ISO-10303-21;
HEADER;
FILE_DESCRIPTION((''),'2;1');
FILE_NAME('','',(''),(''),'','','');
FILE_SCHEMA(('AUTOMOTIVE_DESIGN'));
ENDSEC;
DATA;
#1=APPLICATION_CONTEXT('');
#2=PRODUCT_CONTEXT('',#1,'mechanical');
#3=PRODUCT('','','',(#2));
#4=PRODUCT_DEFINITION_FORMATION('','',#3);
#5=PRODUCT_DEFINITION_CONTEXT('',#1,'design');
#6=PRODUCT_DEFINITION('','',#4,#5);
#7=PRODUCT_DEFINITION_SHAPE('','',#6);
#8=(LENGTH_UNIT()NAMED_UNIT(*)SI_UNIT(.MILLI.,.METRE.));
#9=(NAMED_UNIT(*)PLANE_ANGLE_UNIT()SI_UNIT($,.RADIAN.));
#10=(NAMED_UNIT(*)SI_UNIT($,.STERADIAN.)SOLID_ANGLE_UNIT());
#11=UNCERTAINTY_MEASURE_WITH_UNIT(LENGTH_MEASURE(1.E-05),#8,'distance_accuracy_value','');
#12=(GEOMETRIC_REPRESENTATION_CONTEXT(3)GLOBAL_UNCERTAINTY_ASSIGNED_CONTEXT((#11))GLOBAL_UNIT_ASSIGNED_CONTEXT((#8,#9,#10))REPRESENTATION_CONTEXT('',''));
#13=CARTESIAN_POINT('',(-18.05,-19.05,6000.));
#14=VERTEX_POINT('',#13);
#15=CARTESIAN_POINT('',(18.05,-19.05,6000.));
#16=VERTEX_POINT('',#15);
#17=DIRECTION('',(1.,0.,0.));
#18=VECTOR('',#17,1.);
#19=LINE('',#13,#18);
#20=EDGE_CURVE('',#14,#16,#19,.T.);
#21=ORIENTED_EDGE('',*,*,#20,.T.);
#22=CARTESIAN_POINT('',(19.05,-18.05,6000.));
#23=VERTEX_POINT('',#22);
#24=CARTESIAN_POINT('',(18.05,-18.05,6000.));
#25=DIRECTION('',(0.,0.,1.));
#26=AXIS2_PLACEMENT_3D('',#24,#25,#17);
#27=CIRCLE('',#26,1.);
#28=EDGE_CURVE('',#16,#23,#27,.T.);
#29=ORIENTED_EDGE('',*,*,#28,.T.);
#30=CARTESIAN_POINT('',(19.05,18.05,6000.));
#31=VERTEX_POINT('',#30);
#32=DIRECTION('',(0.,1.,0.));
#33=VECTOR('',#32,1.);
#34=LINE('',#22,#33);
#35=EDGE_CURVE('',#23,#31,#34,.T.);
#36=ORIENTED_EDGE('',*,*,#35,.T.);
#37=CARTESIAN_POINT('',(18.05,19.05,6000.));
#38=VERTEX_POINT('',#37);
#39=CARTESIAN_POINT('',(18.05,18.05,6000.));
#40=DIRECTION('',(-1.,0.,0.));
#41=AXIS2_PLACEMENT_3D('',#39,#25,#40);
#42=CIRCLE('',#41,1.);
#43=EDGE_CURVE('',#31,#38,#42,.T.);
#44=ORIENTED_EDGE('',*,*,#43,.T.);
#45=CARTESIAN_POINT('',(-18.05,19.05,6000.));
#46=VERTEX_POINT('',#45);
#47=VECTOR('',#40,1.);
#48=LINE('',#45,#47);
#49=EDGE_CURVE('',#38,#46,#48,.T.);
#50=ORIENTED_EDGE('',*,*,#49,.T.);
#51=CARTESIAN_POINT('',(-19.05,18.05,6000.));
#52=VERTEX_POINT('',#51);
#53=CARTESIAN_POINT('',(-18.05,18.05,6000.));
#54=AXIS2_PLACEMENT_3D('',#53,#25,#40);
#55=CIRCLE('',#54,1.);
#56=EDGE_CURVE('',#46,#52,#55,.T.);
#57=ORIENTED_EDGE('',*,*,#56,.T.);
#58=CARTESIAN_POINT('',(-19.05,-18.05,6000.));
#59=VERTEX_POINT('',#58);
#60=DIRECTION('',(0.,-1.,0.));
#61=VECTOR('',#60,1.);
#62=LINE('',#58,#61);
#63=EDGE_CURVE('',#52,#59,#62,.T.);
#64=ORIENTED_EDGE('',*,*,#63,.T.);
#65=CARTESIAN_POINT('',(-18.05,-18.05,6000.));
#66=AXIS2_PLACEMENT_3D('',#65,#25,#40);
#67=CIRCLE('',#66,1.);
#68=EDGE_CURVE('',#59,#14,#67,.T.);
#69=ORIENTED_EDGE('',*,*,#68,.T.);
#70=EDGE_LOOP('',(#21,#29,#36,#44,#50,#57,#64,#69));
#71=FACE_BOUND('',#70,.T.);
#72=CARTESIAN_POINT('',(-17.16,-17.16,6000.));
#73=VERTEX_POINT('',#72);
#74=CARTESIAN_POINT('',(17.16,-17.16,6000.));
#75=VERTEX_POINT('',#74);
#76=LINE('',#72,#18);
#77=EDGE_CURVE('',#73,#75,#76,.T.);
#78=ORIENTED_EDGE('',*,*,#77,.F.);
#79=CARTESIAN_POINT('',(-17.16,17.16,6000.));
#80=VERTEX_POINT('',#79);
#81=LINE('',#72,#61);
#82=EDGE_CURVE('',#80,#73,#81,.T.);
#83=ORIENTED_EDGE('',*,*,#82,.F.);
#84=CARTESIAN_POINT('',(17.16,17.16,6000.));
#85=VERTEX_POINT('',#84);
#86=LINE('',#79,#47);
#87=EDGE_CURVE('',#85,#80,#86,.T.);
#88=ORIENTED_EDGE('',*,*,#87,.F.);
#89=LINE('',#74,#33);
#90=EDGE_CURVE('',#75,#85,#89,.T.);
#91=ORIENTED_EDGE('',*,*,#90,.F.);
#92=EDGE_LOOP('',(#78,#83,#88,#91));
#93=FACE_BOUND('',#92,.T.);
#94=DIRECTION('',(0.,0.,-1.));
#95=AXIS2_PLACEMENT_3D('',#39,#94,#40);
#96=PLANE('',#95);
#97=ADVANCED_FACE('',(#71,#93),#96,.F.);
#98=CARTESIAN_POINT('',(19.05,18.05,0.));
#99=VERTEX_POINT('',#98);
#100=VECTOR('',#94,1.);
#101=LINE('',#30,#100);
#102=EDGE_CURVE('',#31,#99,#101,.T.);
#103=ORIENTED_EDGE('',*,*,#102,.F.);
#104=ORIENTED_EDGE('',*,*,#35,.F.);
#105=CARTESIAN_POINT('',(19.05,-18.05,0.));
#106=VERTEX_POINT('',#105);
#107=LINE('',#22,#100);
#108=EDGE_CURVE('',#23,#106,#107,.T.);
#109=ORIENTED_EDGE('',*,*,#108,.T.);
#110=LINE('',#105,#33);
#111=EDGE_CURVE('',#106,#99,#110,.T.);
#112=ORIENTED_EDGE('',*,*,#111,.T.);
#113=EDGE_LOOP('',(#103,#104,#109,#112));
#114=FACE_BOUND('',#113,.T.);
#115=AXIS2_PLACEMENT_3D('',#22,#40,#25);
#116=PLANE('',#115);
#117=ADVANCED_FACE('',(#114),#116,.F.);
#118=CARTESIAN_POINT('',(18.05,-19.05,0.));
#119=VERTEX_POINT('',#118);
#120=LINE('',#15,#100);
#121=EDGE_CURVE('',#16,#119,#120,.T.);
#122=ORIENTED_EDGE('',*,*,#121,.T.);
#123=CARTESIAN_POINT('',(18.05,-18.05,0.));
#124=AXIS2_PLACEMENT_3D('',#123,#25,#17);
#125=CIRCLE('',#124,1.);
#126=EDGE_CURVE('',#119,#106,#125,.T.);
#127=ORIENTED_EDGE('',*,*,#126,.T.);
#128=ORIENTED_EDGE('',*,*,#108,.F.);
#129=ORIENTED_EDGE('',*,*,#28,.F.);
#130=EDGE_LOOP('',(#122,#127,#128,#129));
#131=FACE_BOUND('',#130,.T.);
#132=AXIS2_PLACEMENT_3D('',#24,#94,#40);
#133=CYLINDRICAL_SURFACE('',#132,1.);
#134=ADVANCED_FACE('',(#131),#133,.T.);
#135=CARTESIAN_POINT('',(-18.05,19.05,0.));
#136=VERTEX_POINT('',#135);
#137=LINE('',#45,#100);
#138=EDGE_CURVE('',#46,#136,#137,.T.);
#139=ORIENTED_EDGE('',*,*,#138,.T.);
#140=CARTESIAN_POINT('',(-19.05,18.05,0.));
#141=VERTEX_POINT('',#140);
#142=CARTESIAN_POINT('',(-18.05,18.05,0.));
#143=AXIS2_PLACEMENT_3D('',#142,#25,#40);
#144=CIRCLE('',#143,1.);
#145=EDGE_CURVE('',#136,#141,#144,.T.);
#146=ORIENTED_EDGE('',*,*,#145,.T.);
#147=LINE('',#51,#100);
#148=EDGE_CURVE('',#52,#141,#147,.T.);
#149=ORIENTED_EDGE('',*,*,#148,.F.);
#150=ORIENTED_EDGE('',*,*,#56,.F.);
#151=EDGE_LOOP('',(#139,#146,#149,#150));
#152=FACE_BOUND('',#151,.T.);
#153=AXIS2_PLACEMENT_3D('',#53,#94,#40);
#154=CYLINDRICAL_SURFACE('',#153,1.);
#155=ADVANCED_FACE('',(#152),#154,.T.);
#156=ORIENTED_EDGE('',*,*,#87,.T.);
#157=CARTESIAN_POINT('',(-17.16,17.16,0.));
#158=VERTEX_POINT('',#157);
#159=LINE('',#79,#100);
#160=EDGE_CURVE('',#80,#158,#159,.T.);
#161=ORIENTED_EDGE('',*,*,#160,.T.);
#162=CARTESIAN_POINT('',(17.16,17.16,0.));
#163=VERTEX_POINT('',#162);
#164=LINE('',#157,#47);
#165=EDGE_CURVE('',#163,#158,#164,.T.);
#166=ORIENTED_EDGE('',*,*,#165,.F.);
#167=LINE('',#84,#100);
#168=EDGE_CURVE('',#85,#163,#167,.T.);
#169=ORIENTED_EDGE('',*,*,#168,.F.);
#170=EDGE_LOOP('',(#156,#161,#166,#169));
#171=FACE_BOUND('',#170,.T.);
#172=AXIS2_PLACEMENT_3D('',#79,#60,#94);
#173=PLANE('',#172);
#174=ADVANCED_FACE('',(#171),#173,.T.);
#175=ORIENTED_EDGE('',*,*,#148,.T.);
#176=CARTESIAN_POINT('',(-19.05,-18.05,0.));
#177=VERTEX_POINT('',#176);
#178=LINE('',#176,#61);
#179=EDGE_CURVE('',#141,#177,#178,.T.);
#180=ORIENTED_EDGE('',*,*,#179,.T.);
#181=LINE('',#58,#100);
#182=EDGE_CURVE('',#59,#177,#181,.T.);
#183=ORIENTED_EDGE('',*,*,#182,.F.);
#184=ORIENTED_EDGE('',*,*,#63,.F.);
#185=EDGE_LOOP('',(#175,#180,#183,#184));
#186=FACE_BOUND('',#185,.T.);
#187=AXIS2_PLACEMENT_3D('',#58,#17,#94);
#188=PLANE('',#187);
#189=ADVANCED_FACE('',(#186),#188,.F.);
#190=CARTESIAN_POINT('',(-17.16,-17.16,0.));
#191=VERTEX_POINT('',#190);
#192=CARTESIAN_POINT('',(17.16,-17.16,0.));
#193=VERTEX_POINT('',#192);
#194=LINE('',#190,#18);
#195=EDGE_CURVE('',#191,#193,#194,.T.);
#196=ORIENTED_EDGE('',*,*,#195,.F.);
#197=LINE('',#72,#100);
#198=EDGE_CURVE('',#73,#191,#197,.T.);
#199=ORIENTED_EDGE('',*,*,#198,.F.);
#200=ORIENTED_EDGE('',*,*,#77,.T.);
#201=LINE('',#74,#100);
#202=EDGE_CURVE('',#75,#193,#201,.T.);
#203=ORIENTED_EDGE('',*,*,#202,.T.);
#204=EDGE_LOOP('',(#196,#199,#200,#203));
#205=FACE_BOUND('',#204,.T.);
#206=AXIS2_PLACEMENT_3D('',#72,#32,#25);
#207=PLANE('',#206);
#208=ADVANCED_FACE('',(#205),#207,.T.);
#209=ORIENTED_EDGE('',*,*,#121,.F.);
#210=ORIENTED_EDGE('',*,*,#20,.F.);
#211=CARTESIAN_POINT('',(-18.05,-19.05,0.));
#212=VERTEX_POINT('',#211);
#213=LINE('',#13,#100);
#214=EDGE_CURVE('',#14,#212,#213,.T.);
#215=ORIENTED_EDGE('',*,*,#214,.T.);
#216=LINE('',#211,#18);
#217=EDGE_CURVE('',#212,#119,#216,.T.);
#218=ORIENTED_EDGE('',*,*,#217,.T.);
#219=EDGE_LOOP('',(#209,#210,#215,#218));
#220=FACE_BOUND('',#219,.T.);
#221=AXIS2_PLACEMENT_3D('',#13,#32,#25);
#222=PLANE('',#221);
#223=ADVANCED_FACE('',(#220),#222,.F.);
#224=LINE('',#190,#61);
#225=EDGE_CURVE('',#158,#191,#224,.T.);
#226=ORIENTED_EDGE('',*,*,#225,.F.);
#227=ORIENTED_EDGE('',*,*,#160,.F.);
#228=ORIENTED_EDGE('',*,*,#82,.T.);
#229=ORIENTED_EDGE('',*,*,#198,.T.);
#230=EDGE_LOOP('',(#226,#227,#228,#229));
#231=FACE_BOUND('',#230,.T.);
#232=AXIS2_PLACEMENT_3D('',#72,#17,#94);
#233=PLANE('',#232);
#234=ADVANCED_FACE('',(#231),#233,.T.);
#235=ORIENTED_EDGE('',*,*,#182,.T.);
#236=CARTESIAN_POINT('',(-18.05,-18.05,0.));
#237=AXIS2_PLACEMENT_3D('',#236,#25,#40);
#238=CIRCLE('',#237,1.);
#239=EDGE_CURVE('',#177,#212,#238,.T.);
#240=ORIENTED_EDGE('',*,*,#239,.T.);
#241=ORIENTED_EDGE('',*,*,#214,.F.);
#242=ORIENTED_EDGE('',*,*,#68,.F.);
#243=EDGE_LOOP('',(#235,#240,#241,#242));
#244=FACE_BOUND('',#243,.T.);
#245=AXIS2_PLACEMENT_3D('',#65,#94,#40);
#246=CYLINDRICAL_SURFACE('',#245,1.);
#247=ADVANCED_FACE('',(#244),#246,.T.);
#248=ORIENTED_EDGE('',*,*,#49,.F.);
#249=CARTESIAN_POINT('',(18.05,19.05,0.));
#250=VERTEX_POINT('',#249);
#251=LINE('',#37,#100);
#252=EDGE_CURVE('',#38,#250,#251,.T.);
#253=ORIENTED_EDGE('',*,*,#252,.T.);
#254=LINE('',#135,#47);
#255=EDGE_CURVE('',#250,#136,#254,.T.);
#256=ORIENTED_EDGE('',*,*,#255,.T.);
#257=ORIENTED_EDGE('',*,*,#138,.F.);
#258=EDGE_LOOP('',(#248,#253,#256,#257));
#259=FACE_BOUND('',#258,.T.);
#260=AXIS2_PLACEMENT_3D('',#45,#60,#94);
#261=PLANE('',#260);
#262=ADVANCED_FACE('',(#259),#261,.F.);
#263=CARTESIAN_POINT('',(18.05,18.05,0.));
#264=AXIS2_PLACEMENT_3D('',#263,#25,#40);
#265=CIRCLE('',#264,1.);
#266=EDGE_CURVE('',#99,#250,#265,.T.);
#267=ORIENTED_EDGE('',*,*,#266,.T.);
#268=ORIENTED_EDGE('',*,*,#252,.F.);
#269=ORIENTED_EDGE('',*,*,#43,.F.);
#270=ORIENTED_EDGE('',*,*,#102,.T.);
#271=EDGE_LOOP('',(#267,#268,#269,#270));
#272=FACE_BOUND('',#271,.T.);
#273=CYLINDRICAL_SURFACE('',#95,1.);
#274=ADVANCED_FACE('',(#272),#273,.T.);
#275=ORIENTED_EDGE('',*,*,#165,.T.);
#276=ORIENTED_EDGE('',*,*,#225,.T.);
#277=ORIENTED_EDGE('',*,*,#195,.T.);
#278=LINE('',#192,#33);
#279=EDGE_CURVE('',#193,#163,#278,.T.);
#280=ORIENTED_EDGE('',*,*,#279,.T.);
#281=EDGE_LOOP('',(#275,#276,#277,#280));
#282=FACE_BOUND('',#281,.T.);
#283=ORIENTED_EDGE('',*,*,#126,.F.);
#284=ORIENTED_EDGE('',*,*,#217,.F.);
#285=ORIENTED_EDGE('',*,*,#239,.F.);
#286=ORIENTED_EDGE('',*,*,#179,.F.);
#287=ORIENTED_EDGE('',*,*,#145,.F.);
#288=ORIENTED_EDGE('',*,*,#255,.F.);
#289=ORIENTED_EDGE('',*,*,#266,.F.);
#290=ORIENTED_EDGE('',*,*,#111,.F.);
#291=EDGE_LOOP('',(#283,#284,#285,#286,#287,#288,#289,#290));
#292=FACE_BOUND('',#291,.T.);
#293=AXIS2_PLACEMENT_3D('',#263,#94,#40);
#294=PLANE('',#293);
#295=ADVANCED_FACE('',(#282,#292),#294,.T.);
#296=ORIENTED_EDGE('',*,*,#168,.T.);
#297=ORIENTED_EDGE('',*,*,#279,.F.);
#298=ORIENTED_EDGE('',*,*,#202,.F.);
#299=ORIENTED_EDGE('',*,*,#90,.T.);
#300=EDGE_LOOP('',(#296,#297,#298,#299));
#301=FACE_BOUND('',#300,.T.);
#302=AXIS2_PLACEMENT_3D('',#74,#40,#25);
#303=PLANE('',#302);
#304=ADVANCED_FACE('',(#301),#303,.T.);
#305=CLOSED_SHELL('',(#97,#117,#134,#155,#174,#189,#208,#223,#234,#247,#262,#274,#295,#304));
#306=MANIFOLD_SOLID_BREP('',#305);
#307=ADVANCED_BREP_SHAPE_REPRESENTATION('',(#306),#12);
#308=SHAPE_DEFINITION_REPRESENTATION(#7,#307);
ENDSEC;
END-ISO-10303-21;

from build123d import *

# Parameters (mm, degrees)
CROQUIS1_W              = 34.32
CROQUIS1_H              = 34.32
SALIENTE_EXTRUIR1_DEPTH = 6000


with BuildPart() as part:
    # Croquis1 → Saliente-Extruir1 (new body)
    with BuildSketch(Plane.XY):
        with BuildLine():
            Line((-18.05, -19.05), (18.05, -19.05))
            ThreePointArc((18.05, -19.05), (18.757106781, -18.757106781), (19.05, -18.05))
            Line((19.05, -18.05), (19.05, 18.05))
            ThreePointArc((19.05, 18.05), (18.757106781, 18.757106781), (18.05, 19.05))
            Line((18.05, 19.05), (-18.05, 19.05))
            ThreePointArc((-18.05, 19.05), (-18.757106781, 18.757106781), (-19.05, 18.05))
            Line((-19.05, 18.05), (-19.05, -18.05))
            ThreePointArc((-19.05, -18.05), (-18.757106781, -18.757106781), (-18.05, -19.05))
        make_face()
        Rectangle(CROQUIS1_W, CROQUIS1_H, mode=Mode.SUBTRACT)
    extrude(amount=SALIENTE_EXTRUIR1_DEPTH)


solid = part.part
